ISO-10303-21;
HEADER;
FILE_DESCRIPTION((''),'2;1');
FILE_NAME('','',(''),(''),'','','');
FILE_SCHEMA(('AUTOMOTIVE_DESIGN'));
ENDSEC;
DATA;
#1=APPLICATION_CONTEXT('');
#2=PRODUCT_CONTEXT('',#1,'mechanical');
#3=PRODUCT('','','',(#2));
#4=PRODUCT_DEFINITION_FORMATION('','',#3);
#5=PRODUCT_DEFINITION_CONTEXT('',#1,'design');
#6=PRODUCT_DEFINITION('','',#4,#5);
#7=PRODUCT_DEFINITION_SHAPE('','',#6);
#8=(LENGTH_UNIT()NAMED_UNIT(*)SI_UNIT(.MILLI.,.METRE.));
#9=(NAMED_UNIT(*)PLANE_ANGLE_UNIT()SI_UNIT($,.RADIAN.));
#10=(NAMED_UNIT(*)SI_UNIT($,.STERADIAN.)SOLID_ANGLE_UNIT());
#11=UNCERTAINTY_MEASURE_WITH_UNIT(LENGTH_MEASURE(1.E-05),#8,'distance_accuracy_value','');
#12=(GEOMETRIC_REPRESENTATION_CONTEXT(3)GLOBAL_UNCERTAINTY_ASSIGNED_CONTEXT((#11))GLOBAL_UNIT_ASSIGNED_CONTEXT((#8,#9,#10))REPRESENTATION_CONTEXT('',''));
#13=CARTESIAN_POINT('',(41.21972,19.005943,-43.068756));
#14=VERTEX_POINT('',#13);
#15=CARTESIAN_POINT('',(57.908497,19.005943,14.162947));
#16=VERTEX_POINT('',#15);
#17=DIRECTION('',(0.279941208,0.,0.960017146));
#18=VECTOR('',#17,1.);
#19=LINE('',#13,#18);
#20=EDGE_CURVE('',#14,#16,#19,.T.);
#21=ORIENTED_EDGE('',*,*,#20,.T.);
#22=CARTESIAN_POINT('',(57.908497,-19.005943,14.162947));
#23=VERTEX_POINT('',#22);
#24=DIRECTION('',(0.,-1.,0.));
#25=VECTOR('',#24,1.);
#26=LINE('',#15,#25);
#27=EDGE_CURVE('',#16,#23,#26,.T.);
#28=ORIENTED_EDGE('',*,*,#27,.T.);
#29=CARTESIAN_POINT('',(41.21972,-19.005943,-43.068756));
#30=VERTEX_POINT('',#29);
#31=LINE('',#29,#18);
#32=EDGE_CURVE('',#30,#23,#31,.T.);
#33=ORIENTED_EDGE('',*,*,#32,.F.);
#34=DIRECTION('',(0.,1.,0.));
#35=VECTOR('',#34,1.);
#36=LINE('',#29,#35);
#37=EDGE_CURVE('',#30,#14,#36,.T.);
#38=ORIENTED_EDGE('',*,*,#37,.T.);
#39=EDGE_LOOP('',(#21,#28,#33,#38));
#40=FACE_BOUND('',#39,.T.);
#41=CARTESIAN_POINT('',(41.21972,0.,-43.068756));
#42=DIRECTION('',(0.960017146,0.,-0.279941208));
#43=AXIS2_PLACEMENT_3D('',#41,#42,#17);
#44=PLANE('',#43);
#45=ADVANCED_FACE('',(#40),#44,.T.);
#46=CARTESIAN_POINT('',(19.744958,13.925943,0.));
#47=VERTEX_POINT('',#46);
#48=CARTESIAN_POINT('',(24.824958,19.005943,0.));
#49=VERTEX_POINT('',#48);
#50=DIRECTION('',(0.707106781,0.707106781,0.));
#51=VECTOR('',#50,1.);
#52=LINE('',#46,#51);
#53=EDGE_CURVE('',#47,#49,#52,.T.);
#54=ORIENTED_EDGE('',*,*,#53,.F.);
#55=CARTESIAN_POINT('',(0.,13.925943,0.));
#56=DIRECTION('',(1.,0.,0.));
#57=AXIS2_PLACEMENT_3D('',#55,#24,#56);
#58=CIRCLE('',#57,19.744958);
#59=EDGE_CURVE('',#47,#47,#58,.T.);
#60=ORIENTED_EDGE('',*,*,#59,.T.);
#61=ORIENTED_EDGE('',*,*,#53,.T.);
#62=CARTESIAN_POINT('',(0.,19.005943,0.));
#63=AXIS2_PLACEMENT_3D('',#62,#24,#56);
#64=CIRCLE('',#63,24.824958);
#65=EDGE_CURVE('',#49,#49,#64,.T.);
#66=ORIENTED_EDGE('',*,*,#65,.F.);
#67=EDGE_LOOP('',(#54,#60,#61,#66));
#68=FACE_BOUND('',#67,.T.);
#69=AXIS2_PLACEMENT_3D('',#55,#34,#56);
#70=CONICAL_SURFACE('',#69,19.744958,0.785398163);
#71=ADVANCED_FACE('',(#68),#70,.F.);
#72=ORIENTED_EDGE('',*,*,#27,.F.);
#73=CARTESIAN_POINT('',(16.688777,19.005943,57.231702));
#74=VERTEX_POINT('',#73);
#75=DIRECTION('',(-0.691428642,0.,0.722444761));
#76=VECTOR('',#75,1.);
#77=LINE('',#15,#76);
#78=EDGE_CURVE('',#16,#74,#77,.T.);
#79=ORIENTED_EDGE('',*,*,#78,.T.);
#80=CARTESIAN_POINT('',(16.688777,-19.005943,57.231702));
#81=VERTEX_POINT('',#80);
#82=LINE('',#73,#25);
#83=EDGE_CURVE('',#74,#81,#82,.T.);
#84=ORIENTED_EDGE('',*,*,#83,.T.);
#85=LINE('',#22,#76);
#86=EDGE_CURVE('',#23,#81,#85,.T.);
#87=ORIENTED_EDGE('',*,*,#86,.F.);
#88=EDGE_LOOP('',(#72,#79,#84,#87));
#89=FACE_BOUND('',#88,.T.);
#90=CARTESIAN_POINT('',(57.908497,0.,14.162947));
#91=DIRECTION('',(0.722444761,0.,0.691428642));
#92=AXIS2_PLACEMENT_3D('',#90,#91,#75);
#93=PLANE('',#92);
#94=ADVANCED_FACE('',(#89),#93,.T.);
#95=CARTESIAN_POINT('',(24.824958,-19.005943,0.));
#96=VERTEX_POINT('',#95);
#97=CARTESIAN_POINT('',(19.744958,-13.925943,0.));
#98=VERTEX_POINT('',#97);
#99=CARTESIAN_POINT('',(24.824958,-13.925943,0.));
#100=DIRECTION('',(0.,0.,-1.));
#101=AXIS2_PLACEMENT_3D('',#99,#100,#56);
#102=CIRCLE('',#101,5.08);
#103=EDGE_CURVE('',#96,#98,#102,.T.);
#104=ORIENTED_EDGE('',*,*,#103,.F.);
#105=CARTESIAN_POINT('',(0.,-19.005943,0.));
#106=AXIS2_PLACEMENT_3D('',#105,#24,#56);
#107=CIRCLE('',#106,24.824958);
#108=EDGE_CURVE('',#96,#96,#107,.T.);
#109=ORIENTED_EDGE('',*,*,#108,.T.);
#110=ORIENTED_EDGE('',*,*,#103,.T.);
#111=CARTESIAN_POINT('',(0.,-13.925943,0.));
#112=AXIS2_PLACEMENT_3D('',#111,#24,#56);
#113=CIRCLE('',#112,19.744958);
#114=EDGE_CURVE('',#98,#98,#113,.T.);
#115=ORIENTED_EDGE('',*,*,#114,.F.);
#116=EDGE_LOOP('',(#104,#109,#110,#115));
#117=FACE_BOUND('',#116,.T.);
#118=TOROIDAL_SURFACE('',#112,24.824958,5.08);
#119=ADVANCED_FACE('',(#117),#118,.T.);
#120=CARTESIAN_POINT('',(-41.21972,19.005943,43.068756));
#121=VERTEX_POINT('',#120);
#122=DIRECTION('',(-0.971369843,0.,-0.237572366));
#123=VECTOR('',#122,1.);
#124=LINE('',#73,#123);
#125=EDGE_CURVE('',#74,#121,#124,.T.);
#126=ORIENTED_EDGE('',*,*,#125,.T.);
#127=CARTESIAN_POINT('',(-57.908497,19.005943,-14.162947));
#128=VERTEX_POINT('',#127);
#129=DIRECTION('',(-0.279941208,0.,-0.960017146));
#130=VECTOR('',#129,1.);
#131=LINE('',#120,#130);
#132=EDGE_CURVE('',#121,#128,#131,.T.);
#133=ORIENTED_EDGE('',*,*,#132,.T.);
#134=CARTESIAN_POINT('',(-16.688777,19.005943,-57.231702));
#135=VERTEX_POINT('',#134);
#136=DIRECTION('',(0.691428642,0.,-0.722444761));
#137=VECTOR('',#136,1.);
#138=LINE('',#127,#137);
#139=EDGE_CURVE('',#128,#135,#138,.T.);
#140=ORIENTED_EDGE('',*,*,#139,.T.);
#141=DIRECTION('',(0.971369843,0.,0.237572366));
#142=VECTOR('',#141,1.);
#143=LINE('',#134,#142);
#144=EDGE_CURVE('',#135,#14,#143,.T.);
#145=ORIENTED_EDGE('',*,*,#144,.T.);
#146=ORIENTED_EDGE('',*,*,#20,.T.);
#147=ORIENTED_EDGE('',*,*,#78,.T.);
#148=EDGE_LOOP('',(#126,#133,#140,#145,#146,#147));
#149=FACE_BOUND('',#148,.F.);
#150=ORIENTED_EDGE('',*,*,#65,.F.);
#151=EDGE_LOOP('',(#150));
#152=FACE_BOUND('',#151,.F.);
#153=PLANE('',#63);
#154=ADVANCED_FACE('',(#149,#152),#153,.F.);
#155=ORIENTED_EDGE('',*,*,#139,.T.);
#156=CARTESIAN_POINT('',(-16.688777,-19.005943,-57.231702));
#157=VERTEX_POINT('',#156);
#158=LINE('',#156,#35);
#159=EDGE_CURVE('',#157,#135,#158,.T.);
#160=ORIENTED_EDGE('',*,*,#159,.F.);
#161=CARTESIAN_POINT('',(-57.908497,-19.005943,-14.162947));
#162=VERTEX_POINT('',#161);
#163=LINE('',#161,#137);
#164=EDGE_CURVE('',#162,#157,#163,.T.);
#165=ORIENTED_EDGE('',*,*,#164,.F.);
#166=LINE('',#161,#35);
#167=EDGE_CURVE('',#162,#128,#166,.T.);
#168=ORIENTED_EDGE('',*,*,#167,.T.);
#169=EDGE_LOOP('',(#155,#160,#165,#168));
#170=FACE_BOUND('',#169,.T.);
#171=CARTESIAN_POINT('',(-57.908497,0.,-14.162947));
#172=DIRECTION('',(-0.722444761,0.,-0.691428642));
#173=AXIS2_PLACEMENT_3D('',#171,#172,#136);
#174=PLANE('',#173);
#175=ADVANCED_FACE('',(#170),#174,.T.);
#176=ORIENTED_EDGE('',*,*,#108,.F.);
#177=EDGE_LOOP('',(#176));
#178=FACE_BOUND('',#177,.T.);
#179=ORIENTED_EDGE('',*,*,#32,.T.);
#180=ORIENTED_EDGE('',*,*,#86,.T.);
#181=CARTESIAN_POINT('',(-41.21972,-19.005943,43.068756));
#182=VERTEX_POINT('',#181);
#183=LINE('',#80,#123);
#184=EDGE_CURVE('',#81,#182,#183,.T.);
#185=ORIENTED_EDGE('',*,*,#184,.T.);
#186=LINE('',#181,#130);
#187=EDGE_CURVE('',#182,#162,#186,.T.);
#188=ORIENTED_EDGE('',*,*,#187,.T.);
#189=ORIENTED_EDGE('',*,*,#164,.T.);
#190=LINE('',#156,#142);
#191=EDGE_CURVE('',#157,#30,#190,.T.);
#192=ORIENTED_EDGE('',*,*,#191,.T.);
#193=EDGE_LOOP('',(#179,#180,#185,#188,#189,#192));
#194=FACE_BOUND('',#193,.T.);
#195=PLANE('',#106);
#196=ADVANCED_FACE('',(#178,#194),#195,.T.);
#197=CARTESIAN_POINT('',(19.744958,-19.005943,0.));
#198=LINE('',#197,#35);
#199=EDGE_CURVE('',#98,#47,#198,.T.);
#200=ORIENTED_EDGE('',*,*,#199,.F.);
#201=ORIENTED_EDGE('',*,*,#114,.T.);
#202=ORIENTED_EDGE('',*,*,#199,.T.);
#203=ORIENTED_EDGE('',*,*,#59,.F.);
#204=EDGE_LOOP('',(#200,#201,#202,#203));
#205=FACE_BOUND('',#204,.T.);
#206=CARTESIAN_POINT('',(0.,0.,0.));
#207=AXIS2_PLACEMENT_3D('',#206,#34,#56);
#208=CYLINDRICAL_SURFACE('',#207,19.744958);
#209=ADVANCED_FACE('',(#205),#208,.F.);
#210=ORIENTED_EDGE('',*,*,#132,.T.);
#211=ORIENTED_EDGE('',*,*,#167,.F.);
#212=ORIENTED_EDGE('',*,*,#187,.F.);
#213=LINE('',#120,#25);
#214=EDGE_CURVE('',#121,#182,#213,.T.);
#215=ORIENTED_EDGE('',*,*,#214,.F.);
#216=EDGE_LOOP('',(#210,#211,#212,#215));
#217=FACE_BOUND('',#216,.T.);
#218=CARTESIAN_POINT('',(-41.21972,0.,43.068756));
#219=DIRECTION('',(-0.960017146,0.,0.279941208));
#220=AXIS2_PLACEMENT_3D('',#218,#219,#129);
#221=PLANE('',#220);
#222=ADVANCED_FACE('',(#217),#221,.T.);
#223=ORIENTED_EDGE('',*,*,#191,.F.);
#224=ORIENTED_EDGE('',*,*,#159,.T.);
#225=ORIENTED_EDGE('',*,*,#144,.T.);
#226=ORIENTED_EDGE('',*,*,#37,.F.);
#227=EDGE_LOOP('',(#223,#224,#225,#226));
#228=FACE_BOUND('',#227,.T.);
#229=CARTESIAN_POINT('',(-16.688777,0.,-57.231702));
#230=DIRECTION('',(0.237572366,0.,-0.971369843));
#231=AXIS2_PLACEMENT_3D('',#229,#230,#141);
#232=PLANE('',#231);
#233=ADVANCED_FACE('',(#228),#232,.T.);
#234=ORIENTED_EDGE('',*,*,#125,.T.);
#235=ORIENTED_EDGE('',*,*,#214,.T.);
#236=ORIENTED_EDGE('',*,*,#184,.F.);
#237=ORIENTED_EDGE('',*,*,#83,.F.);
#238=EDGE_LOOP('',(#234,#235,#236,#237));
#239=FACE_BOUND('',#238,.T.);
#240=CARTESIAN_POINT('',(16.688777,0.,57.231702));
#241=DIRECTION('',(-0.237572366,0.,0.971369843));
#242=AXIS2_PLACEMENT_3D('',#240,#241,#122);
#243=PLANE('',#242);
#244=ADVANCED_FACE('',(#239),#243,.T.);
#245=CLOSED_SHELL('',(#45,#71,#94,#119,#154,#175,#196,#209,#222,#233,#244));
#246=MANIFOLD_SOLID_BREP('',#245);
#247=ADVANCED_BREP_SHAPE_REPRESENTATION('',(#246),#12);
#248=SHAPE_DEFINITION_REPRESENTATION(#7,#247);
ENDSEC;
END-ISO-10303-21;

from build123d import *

# Parameters (mm, degrees)
F0_R     = 19.744958
F1_DEPTH = 19.005943
F2_R     = 5.08
F3_SIZE  = 5.08


with BuildPart() as f1:
    # F0 (on Front) → F1 (new body, symmetric)
    with BuildSketch(Plane.XZ):
        Polygon((41.21972, -43.068756), (57.908497, 14.162947), (16.688777, 57.231702), (-41.21972, 43.068756), (-57.908497, -14.162947), (-16.688777, -57.231702), align=None)
        Circle(F0_R, mode=Mode.SUBTRACT)
    extrude(amount=F1_DEPTH, both=True)

    # F2
    f2_edges = [f1.edges().sort_by_distance(p)[0] for p in [
        (-19.744958, -19.005943, 0),
    ]]
    fillet(f2_edges, radius=F2_R)

    # F3
    f3_edges = [f1.edges().sort_by_distance(p)[0] for p in [
        (-19.744958, 19.005943, 0),
    ]]
    chamfer(f3_edges, length=F3_SIZE)


solid = f1.part
